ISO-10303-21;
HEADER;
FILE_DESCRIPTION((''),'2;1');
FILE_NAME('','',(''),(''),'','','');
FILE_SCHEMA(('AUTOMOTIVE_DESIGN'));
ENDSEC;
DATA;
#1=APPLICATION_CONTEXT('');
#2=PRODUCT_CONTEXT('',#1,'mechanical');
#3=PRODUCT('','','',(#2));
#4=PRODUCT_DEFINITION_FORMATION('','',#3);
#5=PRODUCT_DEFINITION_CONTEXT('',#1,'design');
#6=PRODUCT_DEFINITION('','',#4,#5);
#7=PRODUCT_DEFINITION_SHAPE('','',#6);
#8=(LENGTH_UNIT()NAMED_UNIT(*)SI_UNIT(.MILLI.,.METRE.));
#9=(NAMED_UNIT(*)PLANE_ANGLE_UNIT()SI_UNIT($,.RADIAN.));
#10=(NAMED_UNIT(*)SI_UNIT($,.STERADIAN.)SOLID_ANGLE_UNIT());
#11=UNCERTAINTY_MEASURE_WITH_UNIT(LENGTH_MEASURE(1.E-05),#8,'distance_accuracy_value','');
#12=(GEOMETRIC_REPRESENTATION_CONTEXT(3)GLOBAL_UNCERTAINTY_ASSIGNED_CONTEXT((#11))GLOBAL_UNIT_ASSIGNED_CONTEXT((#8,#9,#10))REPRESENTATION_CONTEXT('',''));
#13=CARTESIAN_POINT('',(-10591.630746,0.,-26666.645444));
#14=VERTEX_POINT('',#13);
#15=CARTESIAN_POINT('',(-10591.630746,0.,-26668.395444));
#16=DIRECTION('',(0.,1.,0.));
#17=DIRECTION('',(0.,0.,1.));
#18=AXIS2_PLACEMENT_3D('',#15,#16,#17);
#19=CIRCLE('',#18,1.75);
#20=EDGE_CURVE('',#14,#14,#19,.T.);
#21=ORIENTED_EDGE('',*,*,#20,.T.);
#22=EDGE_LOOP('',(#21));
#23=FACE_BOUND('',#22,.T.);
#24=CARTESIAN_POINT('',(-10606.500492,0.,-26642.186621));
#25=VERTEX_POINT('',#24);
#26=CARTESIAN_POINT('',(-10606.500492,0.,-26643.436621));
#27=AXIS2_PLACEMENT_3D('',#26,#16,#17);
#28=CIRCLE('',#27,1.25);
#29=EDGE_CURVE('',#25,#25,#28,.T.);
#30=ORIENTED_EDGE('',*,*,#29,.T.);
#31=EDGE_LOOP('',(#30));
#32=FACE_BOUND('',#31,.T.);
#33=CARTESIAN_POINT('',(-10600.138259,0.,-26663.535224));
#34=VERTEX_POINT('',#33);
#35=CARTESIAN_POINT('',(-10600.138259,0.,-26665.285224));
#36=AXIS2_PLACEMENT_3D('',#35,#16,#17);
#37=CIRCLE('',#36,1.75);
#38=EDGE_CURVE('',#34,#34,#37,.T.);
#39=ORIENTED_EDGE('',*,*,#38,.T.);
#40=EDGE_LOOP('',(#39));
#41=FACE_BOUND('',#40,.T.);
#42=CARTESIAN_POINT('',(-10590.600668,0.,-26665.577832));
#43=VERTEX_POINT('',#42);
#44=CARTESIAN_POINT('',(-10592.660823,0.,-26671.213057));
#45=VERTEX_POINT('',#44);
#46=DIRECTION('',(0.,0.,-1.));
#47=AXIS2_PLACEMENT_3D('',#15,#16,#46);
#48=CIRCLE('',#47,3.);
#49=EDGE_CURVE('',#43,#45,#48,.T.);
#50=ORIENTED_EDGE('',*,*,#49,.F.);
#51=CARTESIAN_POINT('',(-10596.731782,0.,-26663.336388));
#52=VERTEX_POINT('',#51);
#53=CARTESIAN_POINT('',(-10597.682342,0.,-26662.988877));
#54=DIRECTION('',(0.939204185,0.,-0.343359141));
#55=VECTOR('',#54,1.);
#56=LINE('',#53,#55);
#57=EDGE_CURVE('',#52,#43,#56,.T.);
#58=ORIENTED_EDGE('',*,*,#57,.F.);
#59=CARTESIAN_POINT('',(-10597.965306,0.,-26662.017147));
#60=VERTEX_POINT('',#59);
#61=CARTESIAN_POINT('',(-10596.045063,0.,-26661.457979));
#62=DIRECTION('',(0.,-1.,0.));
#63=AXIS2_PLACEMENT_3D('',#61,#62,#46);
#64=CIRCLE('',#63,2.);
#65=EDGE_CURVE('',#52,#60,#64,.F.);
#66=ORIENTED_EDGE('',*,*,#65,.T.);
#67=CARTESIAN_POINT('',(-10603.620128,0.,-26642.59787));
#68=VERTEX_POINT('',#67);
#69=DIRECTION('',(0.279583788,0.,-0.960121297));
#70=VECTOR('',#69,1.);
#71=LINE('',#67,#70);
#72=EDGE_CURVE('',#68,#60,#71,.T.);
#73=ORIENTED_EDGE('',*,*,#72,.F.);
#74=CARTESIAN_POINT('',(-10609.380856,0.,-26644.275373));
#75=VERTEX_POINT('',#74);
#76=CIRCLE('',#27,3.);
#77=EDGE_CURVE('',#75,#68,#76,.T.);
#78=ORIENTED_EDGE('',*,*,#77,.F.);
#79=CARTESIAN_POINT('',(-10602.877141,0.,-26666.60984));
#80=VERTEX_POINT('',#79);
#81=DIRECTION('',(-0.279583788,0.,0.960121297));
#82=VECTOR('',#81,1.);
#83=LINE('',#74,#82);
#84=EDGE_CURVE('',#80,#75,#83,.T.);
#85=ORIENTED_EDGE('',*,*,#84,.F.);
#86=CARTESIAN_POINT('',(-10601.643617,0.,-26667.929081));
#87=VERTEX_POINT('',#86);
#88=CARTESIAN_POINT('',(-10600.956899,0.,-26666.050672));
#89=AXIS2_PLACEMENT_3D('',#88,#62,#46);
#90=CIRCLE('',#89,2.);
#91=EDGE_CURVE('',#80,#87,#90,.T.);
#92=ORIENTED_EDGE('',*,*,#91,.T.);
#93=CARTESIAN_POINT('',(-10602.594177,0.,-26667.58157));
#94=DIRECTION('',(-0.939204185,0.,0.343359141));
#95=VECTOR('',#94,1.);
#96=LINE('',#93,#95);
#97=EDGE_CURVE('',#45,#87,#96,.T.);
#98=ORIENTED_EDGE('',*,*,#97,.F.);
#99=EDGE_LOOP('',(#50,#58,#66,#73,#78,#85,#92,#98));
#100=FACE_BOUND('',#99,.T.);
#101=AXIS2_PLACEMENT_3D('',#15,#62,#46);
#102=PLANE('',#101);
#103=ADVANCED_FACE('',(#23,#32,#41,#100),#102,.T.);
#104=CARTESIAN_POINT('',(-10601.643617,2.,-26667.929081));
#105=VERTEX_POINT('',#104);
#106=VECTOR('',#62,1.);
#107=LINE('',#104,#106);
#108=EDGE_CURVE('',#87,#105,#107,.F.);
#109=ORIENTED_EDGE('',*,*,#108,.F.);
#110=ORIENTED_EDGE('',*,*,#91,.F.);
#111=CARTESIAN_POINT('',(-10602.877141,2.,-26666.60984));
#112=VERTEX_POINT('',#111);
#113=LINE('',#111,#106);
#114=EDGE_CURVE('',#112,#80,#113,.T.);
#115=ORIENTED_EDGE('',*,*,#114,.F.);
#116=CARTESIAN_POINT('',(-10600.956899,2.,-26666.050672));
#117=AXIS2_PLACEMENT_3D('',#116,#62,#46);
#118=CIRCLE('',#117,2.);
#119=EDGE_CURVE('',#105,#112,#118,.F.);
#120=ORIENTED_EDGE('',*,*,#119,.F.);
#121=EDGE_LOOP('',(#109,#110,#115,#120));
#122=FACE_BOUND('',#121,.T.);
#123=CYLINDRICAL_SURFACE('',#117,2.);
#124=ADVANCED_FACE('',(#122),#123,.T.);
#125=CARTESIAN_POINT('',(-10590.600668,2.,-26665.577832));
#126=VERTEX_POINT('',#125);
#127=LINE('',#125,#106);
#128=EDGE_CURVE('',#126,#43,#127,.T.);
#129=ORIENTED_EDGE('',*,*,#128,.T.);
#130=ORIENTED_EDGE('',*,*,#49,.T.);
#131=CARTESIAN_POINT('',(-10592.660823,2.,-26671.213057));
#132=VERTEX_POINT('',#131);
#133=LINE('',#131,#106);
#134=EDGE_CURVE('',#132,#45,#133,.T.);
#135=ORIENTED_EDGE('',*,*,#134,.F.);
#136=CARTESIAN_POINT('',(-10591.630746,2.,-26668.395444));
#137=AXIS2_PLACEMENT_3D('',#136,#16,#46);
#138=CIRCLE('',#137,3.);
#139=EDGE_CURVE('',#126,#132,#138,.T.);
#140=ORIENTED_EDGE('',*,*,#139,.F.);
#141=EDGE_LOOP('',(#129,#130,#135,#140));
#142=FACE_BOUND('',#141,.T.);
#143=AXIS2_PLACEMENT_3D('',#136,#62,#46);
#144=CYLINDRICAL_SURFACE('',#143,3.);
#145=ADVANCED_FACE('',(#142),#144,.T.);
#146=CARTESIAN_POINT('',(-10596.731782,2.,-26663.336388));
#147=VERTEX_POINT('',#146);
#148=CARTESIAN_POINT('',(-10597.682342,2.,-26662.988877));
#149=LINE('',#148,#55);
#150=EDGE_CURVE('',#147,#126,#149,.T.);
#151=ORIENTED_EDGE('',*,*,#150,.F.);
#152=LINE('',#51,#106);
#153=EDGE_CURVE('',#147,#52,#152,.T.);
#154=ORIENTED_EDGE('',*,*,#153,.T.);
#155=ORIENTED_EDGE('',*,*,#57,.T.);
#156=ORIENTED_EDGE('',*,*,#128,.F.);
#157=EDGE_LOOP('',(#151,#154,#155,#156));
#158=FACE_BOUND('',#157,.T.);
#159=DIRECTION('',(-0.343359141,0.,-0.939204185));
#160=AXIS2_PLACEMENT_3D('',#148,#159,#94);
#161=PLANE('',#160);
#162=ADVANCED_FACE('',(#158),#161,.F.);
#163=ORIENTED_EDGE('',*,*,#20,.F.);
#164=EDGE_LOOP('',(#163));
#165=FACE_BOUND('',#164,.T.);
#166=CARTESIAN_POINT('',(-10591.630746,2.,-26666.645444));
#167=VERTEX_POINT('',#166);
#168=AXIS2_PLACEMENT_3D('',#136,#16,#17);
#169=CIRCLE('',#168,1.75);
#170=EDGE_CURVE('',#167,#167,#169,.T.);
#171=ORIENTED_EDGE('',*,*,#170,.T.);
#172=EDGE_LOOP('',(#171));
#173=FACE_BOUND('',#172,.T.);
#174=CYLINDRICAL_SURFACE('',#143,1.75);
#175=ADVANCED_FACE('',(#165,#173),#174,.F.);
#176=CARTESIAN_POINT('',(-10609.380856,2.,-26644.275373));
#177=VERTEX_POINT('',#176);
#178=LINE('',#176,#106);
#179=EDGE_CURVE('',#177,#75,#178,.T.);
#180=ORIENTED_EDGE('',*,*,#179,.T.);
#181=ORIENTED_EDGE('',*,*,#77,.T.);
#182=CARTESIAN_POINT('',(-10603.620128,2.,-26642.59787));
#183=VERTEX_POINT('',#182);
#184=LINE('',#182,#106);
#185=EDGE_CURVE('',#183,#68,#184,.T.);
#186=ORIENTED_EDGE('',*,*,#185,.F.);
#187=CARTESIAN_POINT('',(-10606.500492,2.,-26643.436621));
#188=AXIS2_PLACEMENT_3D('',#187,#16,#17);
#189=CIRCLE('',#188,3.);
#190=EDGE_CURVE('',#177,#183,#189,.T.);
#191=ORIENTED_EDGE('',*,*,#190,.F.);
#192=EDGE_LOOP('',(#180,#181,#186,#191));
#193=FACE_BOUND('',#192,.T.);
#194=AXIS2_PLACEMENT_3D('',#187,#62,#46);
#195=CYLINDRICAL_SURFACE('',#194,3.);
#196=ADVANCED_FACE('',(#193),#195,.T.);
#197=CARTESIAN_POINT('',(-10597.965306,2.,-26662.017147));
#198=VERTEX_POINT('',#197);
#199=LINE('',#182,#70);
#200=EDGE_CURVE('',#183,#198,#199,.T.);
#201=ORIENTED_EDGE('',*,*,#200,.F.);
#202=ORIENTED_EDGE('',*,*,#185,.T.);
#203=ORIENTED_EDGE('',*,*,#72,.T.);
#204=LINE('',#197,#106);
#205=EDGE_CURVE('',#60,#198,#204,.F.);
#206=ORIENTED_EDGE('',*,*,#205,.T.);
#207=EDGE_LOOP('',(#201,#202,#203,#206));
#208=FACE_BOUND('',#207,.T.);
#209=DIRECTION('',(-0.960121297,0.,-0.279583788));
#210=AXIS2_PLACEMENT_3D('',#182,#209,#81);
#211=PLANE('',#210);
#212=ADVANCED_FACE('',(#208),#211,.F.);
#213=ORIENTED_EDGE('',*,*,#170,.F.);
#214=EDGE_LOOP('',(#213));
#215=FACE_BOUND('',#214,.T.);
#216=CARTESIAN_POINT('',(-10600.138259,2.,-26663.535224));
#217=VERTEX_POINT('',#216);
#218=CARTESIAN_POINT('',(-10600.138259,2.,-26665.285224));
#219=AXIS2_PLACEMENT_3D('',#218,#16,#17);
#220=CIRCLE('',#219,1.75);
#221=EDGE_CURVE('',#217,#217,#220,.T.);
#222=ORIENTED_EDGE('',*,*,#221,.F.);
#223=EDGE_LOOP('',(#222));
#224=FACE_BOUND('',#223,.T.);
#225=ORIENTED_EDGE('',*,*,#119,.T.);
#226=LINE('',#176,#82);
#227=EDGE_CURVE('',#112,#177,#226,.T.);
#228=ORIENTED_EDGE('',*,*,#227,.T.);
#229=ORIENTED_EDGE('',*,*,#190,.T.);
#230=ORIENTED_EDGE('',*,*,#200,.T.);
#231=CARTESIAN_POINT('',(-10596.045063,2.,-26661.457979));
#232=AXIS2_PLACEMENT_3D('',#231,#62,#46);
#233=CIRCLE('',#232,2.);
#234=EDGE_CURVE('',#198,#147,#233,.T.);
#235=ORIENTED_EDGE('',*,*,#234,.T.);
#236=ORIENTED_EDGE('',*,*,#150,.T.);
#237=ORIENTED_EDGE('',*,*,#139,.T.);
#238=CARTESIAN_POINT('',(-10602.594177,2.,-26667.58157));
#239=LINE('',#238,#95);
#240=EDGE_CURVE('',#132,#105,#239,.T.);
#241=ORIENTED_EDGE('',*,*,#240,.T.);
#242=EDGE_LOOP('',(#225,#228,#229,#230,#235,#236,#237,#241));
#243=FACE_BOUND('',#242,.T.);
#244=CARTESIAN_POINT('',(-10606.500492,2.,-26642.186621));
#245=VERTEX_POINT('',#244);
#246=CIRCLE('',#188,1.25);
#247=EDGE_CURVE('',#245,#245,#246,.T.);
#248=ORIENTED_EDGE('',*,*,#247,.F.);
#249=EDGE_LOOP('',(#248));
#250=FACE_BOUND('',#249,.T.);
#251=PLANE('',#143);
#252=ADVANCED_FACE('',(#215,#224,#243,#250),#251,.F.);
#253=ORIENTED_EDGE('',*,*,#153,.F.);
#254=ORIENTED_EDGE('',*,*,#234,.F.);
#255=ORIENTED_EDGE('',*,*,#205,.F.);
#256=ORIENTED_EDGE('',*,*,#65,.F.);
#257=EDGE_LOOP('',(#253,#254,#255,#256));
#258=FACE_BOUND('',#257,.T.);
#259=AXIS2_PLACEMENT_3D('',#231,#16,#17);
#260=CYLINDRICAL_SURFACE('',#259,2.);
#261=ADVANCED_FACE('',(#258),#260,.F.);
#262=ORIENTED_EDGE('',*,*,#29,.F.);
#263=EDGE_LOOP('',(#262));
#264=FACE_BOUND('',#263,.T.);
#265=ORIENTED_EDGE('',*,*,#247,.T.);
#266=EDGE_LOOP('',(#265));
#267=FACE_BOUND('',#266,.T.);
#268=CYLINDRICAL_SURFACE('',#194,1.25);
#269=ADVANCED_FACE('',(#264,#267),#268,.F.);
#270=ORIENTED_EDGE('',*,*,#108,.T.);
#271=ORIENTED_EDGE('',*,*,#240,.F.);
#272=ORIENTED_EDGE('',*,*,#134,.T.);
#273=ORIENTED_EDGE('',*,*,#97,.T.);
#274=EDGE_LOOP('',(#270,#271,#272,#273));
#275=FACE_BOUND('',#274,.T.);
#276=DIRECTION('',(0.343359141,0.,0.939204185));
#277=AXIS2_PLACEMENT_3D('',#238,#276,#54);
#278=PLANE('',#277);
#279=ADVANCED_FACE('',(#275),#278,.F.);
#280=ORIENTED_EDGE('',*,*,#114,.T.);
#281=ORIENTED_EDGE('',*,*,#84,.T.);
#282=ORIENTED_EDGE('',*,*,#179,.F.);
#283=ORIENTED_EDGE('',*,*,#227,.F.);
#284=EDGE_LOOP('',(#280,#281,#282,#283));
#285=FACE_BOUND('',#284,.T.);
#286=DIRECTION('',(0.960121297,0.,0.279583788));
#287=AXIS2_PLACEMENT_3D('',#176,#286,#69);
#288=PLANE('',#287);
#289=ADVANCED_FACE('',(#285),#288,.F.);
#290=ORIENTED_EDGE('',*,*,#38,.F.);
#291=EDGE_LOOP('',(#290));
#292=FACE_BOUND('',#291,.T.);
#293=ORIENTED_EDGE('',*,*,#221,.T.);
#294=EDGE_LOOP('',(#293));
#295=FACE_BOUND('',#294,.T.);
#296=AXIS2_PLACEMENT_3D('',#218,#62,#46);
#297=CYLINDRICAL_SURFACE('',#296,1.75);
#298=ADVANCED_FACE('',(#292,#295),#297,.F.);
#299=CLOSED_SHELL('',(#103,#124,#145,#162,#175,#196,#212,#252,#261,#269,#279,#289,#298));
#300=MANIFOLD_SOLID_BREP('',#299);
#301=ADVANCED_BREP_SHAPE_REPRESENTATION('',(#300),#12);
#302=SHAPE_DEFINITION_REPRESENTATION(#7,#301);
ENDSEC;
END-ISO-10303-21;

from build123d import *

# Parameters (mm, degrees)
SKETCH1_R           = 1.75
SKETCH1_R_2         = 1.25
BOSS_EXTRUDE1_DEPTH = 2
FILLET1_R           = 2


with BuildPart() as part:
    # Sketch1 → Boss-Extrude1 (new body)
    with BuildSketch(Plane(origin=(0, 0, 0), x_dir=(1, 0, 0), z_dir=(0, 1, 0))):
        with BuildLine():
            Line((-10609.380855774, 26644.275372767), (-10602.594176906, 26667.581570052))
            Line((-10602.594176906, 26667.581570052), (-10592.660823342, 26671.213057009))
            ThreePointArc((-10592.660823342, 26671.213057009), (-10588.813133366, 26669.425521878), (-10590.600668497, 26665.577831901))
            Line((-10590.600668497, 26665.577831901), (-10597.682341811, 26662.988877013))
            Line((-10597.682341811, 26662.988877013), (-10603.62012799, 26642.597870039))
            ThreePointArc((-10603.62012799, 26642.597870039), (-10607.339243246, 26640.556257511), (-10609.380855774, 26644.275372767))
        make_face()
        with Locations((-10591.63074592, 26668.395444455)):
            Circle(SKETCH1_R, mode=Mode.SUBTRACT)
        with Locations((-10600.138259358, 26665.285223533)):
            Circle(SKETCH1_R, mode=Mode.SUBTRACT)
        with Locations((-10606.500491882, 26643.436621403)):
            Circle(SKETCH1_R_2, mode=Mode.SUBTRACT)
    extrude(amount=BOSS_EXTRUDE1_DEPTH)

    # Fillet1
    fillet1_edges = [part.edges().sort_by_distance(p)[0] for p in [
        (-10597.682341811, 1, -26662.988877013),
        (-10602.594176906, 1, -26667.581570052),
    ]]
    fillet(fillet1_edges, radius=FILLET1_R)


solid = part.part
